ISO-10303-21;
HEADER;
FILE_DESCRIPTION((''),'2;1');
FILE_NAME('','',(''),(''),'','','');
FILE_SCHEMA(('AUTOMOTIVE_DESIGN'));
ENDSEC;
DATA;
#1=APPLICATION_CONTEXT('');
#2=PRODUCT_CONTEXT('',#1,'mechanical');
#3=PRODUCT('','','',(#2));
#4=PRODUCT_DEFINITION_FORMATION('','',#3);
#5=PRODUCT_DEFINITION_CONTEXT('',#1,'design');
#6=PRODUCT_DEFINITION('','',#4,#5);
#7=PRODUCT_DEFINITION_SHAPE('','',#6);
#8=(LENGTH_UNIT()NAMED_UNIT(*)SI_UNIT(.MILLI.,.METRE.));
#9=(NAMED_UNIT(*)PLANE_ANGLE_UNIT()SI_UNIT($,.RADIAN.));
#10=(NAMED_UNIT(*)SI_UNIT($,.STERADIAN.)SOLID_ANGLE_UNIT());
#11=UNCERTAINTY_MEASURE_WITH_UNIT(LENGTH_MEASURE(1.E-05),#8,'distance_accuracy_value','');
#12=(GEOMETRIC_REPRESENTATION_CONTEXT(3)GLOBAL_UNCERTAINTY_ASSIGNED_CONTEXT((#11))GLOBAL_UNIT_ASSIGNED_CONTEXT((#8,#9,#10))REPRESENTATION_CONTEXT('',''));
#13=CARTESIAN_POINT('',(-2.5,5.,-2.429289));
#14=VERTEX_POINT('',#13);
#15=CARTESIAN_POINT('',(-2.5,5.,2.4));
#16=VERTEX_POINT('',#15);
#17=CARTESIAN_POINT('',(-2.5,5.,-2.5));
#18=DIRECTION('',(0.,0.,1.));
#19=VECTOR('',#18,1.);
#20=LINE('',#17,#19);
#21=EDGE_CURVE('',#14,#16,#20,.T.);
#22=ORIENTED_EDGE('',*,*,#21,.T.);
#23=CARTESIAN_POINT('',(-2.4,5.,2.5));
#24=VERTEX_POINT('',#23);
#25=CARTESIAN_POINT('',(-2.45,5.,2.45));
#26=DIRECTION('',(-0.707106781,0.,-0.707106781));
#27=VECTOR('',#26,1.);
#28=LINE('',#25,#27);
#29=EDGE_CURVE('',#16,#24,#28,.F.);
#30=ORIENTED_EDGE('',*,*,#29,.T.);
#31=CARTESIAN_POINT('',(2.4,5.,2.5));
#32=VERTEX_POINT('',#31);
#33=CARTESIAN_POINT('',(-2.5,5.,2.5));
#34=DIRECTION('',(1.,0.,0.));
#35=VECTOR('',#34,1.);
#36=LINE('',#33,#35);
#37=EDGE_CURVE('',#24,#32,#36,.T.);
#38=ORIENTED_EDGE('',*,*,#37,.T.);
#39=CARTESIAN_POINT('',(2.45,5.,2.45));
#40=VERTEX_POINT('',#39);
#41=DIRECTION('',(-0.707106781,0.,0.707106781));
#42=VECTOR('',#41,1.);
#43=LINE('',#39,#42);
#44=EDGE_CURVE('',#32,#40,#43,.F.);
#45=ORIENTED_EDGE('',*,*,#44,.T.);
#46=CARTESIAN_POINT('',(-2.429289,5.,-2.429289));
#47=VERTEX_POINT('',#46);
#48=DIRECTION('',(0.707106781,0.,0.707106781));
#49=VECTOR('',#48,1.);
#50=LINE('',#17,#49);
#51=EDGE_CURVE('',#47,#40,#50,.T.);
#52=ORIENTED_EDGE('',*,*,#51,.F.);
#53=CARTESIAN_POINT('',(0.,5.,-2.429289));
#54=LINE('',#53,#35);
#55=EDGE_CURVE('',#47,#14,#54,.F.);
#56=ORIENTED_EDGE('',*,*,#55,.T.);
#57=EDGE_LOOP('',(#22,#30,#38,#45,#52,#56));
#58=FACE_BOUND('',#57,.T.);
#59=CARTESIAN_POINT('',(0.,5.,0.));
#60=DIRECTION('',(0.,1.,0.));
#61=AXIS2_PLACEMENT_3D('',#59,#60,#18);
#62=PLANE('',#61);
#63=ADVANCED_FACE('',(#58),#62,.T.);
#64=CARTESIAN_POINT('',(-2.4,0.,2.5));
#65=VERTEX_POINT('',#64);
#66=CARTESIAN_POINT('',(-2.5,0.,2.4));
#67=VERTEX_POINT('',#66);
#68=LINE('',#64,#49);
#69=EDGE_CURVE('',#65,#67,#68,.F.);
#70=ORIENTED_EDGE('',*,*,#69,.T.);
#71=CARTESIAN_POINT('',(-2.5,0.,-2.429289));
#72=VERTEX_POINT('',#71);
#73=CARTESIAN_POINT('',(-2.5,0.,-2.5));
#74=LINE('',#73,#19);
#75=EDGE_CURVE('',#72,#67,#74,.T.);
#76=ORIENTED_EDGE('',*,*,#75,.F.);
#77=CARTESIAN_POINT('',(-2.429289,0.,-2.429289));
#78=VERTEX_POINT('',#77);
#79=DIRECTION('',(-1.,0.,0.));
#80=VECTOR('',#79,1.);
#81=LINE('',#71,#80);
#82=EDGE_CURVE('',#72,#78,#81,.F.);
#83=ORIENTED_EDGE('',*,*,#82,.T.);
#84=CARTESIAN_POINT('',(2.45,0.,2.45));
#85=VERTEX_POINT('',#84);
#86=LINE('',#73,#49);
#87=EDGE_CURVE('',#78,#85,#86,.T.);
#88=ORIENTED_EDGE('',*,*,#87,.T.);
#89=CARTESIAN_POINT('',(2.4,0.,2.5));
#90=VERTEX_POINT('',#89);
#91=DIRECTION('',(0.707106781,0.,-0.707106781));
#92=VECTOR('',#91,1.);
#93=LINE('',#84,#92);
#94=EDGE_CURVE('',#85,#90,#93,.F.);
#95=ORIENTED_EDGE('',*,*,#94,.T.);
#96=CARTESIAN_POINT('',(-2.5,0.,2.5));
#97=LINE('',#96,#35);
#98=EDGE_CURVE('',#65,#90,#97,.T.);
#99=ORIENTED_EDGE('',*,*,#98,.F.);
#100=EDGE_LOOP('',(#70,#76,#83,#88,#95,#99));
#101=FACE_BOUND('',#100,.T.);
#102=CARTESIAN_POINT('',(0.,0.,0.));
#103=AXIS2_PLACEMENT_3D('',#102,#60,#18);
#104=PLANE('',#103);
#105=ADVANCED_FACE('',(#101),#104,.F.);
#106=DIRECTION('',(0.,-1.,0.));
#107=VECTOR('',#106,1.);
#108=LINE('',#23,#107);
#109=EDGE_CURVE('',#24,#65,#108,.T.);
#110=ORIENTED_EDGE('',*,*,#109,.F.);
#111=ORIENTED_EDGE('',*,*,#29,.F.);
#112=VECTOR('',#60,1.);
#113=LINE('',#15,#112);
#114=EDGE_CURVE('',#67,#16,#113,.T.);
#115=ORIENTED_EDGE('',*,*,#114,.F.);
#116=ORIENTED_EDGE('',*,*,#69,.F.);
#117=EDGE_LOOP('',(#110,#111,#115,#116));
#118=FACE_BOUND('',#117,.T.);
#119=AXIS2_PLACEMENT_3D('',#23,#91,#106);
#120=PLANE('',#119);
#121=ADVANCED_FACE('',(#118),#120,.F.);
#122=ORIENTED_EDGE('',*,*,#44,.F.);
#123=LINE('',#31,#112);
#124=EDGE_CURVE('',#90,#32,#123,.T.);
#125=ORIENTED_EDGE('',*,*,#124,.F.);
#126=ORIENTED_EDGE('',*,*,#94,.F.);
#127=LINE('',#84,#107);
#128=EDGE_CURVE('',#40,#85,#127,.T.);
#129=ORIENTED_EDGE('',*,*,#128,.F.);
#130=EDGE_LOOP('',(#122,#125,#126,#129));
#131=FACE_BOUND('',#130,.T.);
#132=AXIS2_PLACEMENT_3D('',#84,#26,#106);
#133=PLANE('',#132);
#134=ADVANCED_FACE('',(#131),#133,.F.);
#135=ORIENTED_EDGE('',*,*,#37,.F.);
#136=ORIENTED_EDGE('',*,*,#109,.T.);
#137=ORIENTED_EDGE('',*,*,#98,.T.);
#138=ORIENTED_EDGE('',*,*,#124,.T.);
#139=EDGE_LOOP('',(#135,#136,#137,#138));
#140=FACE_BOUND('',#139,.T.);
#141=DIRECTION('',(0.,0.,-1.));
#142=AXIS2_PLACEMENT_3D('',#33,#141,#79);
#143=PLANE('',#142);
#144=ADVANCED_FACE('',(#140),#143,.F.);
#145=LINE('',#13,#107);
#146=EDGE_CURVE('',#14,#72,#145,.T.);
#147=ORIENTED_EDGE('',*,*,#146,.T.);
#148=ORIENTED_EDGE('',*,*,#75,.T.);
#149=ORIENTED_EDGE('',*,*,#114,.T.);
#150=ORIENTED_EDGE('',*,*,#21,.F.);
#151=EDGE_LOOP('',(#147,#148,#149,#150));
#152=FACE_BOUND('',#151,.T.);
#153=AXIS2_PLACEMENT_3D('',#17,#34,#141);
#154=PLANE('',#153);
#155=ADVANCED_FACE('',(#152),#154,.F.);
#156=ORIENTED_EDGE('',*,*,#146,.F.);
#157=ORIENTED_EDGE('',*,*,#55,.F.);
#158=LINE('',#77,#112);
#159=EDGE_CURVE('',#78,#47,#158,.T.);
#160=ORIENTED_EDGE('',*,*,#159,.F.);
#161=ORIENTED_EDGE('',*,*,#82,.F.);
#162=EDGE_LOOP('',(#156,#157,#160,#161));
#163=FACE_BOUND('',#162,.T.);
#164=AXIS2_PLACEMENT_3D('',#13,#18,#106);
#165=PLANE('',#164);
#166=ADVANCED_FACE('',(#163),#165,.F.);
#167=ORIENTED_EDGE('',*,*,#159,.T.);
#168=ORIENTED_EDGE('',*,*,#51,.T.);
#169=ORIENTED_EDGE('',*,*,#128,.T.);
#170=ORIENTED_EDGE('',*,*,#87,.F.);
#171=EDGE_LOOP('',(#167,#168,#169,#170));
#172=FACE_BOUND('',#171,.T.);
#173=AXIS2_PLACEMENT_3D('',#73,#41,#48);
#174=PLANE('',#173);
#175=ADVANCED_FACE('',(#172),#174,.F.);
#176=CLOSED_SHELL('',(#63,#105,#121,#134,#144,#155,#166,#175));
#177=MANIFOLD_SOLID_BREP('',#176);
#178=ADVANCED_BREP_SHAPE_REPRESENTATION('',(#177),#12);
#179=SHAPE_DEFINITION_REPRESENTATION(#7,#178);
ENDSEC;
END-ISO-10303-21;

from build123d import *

# Parameters (mm, degrees)
SKETCH_1_W             = 5
SKETCH_1_H             = 5
EXTRUDE_1_DEPTH        = 5
CUT_EXTRUDE_1_DEPTH    = 5
CHAMFER_1_SIZE2        = 0.070710678
CHAMFER_1_SIZE         = 0.1
CHAMFER_1_EDGE_2_SIZE  = 0.1
CHAMFER_1_EDGE_3_SIZE2 = 0.1
CHAMFER_1_EDGE_3_SIZE  = 0.070710678


with BuildPart() as part:
    # 草图1 → 凸台-拉伸1 (new body)
    with BuildSketch(Plane(origin=(0, 0, 0), x_dir=(1, 0, 0), z_dir=(0, 1, 0))):
        Rectangle(SKETCH_1_W, SKETCH_1_H)
    extrude(amount=EXTRUDE_1_DEPTH)

    # 草图2 → 切除-拉伸1 (cut)
    with BuildSketch(Plane(origin=(0, 5, 0), x_dir=(1, 0, 0), z_dir=(0, 1, 0))):
        Polygon((-2.5, 2.5), (2.5, -2.5), (2.5, 2.5), align=None)
    extrude(amount=-CUT_EXTRUDE_1_DEPTH, mode=Mode.SUBTRACT)

    # 倒角1
    chamfer_1_edges = [part.edges().sort_by_distance(p)[0] for p in [
        (2.5, 2.5, 2.5),
    ]]
    chamfer(chamfer_1_edges, length=CHAMFER_1_SIZE, length2=CHAMFER_1_SIZE2)

    # 倒角1 edge 2
    chamfer_1_edge_2_edges = [part.edges().sort_by_distance(p)[0] for p in [
        (-2.5, 2.5, 2.5),
    ]]
    chamfer(chamfer_1_edge_2_edges, length=CHAMFER_1_EDGE_2_SIZE)

    # 倒角1 edge 3
    chamfer_1_edge_3_edges = [part.edges().sort_by_distance(p)[0] for p in [
        (-2.5, 2.5, -2.5),
    ]]
    chamfer(chamfer_1_edge_3_edges, length=CHAMFER_1_EDGE_3_SIZE, length2=CHAMFER_1_EDGE_3_SIZE2)


solid = part.part
